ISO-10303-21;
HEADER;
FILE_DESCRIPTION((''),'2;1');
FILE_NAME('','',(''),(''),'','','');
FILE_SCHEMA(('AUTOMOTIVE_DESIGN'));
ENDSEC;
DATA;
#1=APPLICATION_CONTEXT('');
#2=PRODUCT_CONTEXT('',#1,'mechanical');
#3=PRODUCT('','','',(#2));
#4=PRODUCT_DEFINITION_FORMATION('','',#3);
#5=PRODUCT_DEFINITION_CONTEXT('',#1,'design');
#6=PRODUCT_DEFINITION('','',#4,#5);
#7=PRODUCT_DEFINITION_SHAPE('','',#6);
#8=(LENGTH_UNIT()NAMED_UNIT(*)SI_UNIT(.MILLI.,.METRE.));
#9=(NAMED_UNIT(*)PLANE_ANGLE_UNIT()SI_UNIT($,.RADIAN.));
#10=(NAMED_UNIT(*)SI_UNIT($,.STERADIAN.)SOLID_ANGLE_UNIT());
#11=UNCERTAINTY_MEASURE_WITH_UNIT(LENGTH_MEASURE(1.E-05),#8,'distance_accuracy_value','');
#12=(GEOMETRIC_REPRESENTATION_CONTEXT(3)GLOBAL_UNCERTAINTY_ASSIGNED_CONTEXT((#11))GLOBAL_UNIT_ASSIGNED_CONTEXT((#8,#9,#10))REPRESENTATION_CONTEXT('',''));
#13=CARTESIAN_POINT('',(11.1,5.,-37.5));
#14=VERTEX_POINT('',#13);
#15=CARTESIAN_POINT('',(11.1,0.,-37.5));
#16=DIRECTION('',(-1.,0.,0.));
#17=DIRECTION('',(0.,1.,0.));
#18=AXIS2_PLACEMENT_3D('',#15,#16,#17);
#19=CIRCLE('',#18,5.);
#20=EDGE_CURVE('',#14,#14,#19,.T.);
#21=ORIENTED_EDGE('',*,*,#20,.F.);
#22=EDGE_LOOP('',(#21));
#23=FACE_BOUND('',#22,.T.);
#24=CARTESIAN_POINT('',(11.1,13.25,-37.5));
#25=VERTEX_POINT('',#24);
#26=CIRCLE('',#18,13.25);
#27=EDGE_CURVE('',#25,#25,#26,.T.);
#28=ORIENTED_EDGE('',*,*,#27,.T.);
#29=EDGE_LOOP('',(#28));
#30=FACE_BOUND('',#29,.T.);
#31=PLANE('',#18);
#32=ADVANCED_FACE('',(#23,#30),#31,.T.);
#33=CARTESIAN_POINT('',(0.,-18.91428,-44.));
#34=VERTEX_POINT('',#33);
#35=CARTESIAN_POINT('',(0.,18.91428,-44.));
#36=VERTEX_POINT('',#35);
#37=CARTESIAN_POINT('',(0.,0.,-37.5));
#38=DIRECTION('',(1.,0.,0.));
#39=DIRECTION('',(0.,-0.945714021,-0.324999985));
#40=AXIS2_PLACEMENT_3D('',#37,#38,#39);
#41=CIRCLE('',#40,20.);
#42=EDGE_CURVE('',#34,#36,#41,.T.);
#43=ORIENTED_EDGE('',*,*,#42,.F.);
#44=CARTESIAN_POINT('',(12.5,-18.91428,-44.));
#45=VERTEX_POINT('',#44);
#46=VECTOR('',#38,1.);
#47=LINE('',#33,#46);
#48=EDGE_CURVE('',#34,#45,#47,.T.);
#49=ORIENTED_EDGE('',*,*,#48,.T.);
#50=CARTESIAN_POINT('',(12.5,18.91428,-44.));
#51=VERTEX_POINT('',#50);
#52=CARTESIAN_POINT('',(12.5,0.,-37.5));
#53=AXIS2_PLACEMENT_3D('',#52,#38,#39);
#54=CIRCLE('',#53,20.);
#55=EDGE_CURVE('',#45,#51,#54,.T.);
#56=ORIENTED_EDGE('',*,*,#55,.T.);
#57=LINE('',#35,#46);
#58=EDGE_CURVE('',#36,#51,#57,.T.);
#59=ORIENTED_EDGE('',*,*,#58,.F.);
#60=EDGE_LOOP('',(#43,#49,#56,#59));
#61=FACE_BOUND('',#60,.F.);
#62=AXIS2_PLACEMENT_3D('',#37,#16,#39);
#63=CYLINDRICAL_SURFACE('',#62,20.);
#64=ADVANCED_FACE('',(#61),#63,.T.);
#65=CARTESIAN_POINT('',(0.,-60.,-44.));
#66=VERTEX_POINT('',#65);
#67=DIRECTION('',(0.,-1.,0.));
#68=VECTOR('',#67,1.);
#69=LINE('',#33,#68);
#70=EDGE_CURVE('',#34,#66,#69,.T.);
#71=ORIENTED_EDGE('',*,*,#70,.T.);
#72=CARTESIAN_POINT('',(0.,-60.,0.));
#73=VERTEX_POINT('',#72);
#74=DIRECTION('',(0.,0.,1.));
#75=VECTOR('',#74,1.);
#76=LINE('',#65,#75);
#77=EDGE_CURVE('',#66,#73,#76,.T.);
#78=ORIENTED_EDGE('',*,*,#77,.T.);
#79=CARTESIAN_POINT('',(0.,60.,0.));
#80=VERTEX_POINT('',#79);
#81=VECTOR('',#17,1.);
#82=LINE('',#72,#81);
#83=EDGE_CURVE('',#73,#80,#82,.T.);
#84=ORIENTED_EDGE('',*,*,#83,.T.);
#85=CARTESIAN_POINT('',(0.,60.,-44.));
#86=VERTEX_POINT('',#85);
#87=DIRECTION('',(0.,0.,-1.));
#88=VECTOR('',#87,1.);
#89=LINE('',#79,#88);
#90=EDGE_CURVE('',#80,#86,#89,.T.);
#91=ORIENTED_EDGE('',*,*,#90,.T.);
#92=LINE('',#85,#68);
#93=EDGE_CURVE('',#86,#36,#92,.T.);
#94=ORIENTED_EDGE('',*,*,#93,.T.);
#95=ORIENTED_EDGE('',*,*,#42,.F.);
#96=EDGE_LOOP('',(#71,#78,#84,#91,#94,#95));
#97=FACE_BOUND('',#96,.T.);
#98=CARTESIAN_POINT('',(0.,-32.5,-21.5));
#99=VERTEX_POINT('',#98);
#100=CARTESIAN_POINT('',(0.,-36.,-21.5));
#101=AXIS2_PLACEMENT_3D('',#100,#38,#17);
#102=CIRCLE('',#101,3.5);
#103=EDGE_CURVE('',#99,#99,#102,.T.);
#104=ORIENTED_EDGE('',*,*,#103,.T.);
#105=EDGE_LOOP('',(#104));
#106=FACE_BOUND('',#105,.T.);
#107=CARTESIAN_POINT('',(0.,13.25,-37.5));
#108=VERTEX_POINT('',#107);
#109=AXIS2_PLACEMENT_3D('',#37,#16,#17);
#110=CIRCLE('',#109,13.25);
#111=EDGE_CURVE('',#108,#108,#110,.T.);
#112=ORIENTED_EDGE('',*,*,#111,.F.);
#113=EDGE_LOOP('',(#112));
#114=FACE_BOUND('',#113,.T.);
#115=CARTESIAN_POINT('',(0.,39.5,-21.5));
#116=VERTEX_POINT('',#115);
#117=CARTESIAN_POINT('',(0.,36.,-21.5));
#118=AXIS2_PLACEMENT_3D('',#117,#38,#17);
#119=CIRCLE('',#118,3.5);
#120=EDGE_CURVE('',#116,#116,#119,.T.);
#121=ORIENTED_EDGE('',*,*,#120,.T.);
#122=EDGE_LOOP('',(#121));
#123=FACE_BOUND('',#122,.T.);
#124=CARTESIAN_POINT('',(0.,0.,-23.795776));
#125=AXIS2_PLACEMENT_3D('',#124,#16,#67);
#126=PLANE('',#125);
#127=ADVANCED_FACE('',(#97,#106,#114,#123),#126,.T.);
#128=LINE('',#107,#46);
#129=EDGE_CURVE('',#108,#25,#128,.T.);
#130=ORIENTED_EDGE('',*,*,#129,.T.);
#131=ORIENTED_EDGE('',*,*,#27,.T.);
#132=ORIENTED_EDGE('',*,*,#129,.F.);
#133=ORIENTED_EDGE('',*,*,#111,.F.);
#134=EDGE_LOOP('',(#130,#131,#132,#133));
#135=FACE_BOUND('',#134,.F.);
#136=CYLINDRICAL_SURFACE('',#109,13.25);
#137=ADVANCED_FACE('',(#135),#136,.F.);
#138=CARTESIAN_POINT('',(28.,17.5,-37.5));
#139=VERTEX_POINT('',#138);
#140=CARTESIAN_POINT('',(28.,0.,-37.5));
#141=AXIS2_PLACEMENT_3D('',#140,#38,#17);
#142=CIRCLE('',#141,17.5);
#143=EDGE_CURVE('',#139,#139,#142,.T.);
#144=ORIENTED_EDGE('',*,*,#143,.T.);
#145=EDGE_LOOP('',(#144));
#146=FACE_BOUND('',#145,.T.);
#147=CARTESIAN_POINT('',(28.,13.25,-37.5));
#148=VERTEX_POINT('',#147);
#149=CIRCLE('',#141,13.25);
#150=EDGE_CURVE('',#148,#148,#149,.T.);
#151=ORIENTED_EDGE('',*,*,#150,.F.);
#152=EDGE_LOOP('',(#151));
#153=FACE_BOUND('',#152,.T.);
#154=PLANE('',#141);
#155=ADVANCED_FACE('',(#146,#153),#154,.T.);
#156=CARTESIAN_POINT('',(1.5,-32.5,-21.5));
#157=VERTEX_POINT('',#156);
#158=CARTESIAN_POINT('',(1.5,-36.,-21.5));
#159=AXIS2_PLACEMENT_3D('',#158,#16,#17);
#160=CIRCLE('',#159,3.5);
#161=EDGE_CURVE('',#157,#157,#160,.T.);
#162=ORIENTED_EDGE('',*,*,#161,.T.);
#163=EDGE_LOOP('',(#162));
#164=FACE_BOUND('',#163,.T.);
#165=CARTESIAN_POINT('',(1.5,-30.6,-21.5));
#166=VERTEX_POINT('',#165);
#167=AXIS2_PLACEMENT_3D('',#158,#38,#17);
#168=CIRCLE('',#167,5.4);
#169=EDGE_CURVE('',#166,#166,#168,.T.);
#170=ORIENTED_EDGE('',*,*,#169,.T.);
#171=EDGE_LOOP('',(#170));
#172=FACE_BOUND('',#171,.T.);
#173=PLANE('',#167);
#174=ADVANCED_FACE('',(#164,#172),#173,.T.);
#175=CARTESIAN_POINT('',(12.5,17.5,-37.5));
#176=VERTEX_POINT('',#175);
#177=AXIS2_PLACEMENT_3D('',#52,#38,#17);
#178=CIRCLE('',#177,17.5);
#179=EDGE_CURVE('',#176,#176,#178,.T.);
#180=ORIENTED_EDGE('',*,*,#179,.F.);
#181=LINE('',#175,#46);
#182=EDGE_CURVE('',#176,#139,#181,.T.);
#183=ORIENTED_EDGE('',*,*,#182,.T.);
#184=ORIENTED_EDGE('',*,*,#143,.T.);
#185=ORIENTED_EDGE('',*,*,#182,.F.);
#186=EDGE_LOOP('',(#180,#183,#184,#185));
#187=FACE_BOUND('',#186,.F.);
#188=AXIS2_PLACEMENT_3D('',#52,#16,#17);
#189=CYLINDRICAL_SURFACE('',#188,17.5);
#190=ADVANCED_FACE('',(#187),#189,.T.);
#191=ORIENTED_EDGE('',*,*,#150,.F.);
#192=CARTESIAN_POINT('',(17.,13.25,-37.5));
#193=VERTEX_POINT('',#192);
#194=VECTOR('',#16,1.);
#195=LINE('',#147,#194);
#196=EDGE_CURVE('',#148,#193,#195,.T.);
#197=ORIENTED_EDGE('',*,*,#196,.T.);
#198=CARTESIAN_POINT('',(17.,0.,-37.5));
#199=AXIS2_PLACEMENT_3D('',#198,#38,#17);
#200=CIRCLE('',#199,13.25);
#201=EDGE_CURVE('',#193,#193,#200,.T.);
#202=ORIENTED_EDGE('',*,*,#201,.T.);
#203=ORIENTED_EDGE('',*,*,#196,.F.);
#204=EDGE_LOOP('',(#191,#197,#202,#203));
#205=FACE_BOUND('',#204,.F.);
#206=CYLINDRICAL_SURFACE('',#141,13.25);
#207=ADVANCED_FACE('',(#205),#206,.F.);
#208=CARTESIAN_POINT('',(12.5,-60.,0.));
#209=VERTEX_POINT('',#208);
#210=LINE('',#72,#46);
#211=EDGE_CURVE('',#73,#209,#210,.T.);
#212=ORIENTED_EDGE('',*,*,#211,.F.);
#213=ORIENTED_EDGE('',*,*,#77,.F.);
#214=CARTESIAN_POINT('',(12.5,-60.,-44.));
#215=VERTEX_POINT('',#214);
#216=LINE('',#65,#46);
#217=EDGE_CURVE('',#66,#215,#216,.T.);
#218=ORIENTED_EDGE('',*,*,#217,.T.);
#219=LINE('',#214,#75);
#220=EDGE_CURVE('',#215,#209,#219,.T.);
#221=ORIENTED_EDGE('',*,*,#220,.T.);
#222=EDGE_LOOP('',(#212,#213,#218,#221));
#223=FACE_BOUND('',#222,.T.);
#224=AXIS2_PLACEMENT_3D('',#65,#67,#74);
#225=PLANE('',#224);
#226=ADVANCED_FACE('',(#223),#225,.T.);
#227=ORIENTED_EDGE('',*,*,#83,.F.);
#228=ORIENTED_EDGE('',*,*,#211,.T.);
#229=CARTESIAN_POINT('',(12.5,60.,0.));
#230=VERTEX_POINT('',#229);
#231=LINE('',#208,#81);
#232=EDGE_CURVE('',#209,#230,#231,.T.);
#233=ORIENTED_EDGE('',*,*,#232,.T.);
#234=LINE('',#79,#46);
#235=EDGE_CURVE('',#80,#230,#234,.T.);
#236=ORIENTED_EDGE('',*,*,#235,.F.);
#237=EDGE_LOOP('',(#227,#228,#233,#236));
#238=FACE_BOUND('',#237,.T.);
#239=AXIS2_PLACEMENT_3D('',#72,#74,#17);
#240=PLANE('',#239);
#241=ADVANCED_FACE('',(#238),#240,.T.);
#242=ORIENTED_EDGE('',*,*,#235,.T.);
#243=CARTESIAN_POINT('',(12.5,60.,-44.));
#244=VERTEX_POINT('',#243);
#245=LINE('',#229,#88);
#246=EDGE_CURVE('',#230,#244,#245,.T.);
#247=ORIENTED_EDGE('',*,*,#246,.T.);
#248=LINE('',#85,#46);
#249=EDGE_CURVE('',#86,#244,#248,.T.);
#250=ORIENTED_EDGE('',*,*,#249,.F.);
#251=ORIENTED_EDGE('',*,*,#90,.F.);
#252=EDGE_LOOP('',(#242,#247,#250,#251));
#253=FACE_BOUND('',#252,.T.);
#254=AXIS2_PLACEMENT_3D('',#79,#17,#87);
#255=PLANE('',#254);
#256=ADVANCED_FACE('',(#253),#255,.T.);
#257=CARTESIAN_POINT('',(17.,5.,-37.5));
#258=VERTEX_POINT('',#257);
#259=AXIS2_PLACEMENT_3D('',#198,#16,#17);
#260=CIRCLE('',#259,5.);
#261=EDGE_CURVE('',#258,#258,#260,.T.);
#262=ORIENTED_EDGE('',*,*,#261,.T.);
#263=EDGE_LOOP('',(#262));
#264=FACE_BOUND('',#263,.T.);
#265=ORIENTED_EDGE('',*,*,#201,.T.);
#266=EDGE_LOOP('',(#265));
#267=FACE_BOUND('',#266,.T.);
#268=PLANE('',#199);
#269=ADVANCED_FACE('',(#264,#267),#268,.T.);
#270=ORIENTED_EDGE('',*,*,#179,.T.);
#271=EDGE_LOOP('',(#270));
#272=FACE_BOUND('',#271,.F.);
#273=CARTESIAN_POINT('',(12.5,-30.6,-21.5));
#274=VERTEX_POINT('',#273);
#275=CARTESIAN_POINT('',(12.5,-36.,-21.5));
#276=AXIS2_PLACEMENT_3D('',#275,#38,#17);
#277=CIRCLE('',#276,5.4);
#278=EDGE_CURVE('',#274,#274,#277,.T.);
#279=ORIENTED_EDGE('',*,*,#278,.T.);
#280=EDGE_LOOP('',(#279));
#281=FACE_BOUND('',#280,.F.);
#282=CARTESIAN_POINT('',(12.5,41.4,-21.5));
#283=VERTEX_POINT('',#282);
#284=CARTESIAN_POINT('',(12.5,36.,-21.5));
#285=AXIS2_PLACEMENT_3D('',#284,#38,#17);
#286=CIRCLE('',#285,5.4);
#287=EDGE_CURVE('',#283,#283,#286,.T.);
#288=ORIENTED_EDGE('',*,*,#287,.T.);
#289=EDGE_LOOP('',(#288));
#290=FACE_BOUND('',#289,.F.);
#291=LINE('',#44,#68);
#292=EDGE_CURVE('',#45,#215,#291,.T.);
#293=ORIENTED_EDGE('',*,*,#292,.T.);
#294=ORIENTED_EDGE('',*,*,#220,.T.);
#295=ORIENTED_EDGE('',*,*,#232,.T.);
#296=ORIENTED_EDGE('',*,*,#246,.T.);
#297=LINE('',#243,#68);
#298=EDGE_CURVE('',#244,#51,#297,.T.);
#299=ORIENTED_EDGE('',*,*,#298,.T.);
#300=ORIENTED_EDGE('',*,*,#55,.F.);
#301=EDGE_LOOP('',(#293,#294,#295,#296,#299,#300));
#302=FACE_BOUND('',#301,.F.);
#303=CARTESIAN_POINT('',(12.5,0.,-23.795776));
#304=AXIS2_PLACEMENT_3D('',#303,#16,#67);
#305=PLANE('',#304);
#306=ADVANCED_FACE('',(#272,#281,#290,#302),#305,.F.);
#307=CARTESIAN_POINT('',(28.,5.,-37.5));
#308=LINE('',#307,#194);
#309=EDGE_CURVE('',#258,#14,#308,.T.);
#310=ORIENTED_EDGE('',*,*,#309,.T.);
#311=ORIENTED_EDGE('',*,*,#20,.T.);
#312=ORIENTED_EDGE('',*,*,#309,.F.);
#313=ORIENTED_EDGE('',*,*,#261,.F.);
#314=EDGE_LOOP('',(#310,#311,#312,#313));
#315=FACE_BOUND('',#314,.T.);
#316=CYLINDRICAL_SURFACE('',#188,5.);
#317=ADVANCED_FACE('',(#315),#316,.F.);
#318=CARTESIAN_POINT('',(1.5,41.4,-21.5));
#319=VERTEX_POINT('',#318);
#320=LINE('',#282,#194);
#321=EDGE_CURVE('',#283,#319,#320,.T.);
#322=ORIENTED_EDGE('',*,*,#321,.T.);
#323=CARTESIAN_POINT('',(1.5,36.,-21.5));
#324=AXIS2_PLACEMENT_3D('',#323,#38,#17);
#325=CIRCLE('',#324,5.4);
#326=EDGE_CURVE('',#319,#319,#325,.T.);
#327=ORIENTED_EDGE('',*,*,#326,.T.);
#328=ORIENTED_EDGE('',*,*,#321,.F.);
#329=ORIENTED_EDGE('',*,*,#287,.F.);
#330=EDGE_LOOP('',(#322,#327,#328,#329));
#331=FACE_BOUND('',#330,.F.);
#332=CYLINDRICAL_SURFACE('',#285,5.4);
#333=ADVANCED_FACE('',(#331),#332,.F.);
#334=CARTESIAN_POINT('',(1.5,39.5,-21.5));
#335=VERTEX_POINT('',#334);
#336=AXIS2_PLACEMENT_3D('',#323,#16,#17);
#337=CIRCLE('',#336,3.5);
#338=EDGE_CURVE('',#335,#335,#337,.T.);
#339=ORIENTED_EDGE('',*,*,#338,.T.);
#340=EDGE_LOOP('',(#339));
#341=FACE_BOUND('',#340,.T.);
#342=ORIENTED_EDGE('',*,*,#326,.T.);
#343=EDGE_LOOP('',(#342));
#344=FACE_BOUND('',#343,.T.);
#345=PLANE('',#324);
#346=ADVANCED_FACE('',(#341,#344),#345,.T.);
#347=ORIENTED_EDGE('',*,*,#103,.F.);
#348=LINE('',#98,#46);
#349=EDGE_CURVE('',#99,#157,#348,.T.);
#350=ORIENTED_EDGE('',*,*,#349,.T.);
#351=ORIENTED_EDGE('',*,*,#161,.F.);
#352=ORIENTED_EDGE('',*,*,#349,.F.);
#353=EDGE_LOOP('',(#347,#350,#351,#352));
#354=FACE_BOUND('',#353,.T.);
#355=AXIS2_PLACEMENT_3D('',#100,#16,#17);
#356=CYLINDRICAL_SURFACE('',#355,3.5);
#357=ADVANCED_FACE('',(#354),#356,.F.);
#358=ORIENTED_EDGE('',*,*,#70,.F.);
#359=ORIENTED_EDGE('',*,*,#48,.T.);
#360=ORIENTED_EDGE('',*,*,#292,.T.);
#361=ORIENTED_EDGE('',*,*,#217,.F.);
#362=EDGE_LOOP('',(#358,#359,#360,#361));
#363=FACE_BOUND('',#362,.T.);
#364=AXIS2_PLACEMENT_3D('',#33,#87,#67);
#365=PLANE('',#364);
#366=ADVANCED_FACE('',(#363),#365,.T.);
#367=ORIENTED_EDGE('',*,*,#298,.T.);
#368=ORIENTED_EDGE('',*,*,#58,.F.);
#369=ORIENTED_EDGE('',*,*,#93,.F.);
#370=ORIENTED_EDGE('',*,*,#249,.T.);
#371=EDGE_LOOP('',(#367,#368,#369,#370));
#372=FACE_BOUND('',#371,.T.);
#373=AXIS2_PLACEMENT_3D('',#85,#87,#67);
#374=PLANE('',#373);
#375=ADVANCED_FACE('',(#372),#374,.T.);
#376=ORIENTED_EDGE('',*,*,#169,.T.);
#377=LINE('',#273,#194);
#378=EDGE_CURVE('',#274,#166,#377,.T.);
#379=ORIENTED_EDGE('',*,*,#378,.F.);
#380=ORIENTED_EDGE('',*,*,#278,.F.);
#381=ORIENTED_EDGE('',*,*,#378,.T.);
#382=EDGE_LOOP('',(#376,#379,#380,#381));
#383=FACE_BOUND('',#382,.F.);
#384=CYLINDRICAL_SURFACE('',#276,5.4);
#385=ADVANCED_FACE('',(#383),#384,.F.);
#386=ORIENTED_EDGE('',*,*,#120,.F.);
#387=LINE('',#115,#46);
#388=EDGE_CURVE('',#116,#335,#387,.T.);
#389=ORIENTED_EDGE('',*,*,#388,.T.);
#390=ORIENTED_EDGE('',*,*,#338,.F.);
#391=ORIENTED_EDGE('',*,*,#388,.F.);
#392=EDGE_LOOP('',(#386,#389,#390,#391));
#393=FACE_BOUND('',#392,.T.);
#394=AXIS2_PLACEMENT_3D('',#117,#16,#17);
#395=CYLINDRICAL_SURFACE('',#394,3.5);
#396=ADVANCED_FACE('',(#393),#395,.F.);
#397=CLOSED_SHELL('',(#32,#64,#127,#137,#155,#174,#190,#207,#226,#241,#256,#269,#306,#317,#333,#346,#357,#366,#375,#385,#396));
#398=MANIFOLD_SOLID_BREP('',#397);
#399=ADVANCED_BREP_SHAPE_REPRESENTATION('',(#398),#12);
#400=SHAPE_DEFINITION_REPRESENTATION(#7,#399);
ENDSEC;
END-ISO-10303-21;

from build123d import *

# Parameters (mm, degrees)
SKETCH_R        = 3.5
SKETCH_R_2      = 5
PAD_DEPTH       = 12.5
SKETCH001_R     = 5.4
POCKET_DEPTH    = 11
SKETCH002_R     = 13.25
POCKET001_DEPTH = 11.1
SKETCH003_R     = 17.5
SKETCH003_R_2   = 5
PAD001_DEPTH    = 15.5
SKETCH004_R     = 13.25
POCKET002_DEPTH = 11


with BuildPart() as part:
    # Sketch → Pad (new body)
    with BuildSketch(Plane.YZ):
        with BuildLine():
            Line((-18.91428, -44), (-60, -44))
            Line((-60, -44), (-60, 0))
            Line((-60, 0), (60, 0))
            Line((60, 0), (60, -44))
            Line((60, -44), (18.91428, -44))
            ThreePointArc((-18.91428, -44), (0, -57.5), (18.91428, -44))
        make_face()
        with Locations((-36, -21.5)):
            Circle(SKETCH_R, mode=Mode.SUBTRACT)
        with Locations((36, -21.5)):
            Circle(SKETCH_R, mode=Mode.SUBTRACT)
        with Locations((0, -37.5)):
            Circle(SKETCH_R_2, mode=Mode.SUBTRACT)
    extrude(amount=PAD_DEPTH)

    # Sketch001 → Pocket (cut)
    with BuildSketch(Plane.YZ.offset(12.5)):
        with Locations((-36, -21.5)):
            Circle(SKETCH001_R)
        with Locations((36, -21.5)):
            Circle(SKETCH001_R)
    extrude(amount=-POCKET_DEPTH, mode=Mode.SUBTRACT)

    # Sketch002 → Pocket001 (cut)
    with BuildSketch(Plane(origin=(0, 0, 0), x_dir=(0, 1, 0), z_dir=(-1, 0, 0))):
        with Locations((0, 37.5)):
            Circle(SKETCH002_R)
    extrude(amount=-POCKET001_DEPTH, mode=Mode.SUBTRACT)

    # Sketch003 → Pad001 (new body)
    with BuildSketch(Plane.YZ.offset(12.5)):
        with Locations((0, -37.5)):
            Circle(SKETCH003_R)
        with Locations((0, -37.5)):
            Circle(SKETCH003_R_2, mode=Mode.SUBTRACT)
    extrude(amount=PAD001_DEPTH)

    # Sketch004 → Pocket002 (cut)
    with BuildSketch(Plane.YZ.offset(28)):
        with Locations((0, -37.5)):
            Circle(SKETCH004_R)
    extrude(amount=-POCKET002_DEPTH, mode=Mode.SUBTRACT)


solid = part.part
